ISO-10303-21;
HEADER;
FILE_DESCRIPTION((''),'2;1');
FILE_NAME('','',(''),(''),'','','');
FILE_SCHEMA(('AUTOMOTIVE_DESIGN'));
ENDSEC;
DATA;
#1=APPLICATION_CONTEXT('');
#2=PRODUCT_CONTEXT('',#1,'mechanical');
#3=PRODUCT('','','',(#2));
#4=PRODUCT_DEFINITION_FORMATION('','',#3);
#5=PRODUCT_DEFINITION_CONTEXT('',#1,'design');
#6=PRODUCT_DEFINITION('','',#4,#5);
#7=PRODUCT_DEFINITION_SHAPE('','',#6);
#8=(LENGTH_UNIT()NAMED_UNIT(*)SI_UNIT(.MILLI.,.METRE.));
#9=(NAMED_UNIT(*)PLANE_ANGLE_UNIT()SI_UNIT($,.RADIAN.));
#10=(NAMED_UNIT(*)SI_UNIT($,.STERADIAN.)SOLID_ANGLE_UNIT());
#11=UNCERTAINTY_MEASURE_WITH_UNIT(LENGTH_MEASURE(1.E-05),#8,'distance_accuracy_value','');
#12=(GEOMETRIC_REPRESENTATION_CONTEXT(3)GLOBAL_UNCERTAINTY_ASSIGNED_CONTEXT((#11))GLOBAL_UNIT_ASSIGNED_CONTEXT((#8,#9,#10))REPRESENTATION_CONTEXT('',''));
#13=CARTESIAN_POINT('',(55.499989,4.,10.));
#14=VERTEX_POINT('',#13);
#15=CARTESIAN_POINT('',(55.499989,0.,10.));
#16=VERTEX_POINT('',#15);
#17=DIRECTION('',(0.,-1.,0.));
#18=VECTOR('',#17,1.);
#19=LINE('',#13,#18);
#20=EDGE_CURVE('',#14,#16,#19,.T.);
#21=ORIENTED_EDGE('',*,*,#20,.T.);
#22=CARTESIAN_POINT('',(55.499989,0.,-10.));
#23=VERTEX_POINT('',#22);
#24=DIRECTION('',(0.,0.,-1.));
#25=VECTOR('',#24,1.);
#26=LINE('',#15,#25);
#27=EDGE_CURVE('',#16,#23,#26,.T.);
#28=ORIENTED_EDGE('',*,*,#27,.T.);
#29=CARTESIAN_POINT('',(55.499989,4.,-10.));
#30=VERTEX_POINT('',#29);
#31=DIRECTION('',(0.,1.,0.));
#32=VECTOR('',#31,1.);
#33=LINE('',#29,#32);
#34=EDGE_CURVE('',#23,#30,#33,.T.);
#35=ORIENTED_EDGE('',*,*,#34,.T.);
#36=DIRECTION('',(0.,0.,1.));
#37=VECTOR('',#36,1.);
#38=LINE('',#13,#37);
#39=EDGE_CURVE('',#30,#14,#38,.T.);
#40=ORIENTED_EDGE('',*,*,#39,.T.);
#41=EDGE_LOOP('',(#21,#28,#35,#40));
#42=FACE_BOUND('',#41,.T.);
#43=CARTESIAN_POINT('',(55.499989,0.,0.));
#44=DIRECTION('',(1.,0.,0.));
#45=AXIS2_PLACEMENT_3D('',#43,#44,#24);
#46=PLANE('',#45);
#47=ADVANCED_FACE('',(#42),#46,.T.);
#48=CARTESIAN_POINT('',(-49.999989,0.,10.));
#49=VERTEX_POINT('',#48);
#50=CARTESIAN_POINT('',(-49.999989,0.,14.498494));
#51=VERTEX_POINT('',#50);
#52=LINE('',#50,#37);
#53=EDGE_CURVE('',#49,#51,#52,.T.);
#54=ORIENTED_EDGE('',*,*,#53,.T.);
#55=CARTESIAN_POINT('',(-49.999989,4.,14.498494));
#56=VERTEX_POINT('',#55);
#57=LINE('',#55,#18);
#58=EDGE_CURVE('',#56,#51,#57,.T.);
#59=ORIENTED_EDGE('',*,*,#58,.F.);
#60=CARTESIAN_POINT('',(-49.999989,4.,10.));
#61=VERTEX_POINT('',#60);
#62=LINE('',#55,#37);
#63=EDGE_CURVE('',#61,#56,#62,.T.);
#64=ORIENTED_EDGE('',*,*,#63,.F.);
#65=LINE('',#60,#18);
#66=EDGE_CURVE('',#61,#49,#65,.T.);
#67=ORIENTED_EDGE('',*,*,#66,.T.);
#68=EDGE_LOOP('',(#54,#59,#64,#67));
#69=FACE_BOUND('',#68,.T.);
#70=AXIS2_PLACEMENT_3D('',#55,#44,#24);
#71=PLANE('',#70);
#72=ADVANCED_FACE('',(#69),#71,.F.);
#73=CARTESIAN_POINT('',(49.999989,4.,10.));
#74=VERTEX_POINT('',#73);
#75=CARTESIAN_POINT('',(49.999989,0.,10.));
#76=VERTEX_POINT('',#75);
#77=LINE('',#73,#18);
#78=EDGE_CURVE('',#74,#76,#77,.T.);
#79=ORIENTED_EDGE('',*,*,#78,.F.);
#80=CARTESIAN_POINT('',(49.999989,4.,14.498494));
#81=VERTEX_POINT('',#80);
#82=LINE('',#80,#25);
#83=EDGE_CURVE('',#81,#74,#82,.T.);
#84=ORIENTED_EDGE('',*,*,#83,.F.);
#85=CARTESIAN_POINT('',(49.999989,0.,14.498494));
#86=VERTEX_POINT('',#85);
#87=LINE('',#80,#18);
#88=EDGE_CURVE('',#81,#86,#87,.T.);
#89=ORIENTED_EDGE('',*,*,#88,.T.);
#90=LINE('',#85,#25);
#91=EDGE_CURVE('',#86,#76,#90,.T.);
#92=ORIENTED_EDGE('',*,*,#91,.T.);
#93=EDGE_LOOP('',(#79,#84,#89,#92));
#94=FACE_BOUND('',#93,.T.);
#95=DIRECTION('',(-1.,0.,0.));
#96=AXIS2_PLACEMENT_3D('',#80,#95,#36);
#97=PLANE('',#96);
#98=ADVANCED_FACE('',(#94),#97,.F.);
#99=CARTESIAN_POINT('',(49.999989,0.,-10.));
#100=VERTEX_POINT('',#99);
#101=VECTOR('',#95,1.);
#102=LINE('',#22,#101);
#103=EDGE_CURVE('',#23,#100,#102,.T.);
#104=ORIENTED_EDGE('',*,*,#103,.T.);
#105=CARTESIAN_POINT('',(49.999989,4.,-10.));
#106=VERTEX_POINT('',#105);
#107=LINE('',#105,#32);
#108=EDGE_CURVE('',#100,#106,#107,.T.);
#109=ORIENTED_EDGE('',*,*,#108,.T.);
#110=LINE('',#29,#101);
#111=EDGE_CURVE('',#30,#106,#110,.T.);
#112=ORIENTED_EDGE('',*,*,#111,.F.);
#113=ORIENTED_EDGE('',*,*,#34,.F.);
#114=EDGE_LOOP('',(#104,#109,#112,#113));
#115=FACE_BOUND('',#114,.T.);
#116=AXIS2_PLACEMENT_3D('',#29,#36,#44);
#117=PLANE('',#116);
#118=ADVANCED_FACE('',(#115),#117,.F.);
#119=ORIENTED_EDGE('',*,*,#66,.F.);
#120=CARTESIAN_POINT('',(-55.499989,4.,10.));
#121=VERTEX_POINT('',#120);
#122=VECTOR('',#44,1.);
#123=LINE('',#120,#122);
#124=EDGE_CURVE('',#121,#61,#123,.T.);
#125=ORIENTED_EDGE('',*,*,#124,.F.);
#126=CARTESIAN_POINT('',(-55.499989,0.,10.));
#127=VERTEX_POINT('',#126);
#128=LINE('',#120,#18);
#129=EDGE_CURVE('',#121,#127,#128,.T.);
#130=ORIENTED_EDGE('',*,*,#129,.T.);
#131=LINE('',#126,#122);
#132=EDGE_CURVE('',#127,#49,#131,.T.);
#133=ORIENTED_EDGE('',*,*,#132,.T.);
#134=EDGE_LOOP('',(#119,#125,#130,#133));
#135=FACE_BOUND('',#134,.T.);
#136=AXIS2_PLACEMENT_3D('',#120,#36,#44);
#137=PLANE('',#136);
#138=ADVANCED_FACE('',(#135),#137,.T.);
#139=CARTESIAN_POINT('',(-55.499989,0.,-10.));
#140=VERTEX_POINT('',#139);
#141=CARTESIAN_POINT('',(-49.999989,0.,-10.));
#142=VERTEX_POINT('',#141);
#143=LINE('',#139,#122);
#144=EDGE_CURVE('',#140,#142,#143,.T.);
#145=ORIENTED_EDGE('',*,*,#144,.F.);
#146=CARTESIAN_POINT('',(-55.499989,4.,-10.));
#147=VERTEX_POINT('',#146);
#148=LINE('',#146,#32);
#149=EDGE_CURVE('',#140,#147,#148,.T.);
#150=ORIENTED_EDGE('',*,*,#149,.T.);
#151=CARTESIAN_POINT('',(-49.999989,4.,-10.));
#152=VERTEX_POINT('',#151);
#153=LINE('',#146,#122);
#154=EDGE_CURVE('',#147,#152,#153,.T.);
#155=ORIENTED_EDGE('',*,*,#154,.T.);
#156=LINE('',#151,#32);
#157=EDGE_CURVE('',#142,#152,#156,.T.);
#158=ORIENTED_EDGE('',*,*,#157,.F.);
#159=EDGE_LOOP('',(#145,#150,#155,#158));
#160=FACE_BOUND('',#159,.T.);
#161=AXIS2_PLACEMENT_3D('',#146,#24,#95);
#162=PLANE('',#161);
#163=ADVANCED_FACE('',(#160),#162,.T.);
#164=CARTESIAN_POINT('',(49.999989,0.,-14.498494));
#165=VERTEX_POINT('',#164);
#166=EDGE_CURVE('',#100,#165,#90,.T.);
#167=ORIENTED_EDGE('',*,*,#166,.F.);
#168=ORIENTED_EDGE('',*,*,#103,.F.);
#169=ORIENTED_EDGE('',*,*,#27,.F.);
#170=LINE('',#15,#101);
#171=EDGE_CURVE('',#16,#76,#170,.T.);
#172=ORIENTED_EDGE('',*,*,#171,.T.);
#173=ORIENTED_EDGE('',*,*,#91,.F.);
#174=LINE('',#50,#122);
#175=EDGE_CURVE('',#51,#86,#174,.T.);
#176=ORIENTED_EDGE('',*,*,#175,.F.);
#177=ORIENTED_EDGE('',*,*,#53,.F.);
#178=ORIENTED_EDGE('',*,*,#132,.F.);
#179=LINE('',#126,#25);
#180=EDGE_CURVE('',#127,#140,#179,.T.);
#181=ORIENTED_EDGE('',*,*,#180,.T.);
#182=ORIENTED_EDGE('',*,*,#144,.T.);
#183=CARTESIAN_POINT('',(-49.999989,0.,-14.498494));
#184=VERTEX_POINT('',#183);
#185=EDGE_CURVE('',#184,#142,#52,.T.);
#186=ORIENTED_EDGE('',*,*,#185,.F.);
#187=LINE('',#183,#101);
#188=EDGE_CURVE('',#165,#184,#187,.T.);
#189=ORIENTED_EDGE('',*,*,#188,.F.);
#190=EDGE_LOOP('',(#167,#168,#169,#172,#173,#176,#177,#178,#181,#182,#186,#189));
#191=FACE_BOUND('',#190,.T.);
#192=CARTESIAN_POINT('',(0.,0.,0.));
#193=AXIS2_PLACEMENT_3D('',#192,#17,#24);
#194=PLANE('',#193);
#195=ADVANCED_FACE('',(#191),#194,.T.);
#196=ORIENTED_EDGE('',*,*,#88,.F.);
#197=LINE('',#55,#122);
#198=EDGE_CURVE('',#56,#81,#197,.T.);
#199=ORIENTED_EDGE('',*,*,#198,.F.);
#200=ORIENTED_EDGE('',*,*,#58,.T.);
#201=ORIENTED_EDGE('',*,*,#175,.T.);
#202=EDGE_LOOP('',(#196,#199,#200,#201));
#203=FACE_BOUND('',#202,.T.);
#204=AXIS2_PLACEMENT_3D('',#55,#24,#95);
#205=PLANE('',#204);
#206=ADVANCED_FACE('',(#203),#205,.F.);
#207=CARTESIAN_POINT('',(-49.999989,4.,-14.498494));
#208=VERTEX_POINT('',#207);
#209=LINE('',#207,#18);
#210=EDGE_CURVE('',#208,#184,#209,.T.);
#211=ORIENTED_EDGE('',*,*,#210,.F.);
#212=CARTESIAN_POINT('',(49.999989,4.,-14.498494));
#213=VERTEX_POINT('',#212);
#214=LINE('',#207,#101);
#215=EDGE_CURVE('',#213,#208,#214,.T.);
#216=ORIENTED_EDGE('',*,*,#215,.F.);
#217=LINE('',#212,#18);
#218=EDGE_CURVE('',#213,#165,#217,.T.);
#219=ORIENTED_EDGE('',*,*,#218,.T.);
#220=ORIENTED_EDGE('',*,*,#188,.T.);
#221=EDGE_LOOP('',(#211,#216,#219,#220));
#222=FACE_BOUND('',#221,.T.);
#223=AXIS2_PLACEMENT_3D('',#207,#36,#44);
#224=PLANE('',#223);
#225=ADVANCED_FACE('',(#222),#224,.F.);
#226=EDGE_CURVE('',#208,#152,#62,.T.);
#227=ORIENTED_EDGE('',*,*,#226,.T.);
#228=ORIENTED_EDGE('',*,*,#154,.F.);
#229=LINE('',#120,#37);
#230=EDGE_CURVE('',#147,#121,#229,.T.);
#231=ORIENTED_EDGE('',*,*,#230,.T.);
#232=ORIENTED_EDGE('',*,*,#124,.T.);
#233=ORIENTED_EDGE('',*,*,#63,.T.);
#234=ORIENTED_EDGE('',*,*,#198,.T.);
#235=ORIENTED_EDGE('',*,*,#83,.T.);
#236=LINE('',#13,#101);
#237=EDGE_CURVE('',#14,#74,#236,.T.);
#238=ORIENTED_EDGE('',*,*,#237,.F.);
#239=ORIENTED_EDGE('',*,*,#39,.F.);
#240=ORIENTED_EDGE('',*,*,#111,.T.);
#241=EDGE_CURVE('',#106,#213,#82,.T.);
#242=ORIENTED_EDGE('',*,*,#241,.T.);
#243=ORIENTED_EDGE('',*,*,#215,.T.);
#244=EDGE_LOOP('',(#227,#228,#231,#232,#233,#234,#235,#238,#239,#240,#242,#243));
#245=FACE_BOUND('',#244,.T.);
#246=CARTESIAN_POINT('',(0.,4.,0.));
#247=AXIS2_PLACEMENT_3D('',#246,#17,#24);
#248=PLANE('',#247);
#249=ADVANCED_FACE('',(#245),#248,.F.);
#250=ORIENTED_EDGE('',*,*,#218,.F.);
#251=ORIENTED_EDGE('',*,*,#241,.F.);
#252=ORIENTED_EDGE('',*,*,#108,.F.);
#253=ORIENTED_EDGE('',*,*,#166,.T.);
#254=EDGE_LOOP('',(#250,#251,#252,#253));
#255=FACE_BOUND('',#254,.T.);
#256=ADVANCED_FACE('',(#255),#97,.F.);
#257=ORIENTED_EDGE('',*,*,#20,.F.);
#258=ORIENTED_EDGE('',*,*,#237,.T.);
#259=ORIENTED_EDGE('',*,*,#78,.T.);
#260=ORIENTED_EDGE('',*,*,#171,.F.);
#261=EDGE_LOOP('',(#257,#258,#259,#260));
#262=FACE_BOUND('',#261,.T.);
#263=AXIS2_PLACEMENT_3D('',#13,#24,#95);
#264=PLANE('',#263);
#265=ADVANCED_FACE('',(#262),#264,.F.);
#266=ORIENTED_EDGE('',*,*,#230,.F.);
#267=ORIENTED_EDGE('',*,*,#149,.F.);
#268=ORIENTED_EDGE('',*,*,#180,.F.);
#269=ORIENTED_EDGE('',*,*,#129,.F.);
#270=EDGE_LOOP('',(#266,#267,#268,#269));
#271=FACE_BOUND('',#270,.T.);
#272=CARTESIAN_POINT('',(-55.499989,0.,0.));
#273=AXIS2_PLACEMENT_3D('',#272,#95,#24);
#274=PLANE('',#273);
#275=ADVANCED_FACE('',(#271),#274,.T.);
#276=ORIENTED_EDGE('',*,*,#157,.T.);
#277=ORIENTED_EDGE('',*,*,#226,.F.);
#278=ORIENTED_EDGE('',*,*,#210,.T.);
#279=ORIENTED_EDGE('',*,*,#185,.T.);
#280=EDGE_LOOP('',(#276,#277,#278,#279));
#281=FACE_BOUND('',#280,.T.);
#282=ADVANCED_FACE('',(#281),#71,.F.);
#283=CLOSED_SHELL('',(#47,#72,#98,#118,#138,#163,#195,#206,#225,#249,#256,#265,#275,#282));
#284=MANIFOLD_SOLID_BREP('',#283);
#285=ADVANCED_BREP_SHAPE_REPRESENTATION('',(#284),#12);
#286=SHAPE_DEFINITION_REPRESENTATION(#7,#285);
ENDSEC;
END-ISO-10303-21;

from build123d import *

# Parameters (mm, degrees)
SKETCH_1_W      = 99.99997774
SKETCH_1_H      = 28.996988848
EXTRUDE_1_DEPTH = 4
SKETCH_2_W      = 20
SKETCH_2_H      = 4
EXTRUDE_2_DEPTH = 5.5


with BuildPart() as part:
    # Эскиз1 → Бобышка-Вытянуть1 (new body)
    with BuildSketch(Plane(origin=(0, 0, 0), x_dir=(1, 0, 0), z_dir=(0, 1, 0))):
        Rectangle(SKETCH_1_W, SKETCH_1_H)
    extrude(amount=EXTRUDE_1_DEPTH)

    # Эскиз2 → Бобышка-Вытянуть2 (add)
    with BuildSketch(Plane(origin=(49.99998887, 0, 0), x_dir=(0, 0, -1), z_dir=(1, 0, 0))):
        with Locations((0, 2)):
            Rectangle(SKETCH_2_W, SKETCH_2_H)
    extrude_2 = extrude(amount=EXTRUDE_2_DEPTH)

    # Mirror1: Бобышка-Вытянуть2 across plane
    add(extrude_2.mirror(Plane(origin=(0, 0, 0), x_dir=(0, 0, 1), z_dir=(1, 0, 0))))


solid = part.part
